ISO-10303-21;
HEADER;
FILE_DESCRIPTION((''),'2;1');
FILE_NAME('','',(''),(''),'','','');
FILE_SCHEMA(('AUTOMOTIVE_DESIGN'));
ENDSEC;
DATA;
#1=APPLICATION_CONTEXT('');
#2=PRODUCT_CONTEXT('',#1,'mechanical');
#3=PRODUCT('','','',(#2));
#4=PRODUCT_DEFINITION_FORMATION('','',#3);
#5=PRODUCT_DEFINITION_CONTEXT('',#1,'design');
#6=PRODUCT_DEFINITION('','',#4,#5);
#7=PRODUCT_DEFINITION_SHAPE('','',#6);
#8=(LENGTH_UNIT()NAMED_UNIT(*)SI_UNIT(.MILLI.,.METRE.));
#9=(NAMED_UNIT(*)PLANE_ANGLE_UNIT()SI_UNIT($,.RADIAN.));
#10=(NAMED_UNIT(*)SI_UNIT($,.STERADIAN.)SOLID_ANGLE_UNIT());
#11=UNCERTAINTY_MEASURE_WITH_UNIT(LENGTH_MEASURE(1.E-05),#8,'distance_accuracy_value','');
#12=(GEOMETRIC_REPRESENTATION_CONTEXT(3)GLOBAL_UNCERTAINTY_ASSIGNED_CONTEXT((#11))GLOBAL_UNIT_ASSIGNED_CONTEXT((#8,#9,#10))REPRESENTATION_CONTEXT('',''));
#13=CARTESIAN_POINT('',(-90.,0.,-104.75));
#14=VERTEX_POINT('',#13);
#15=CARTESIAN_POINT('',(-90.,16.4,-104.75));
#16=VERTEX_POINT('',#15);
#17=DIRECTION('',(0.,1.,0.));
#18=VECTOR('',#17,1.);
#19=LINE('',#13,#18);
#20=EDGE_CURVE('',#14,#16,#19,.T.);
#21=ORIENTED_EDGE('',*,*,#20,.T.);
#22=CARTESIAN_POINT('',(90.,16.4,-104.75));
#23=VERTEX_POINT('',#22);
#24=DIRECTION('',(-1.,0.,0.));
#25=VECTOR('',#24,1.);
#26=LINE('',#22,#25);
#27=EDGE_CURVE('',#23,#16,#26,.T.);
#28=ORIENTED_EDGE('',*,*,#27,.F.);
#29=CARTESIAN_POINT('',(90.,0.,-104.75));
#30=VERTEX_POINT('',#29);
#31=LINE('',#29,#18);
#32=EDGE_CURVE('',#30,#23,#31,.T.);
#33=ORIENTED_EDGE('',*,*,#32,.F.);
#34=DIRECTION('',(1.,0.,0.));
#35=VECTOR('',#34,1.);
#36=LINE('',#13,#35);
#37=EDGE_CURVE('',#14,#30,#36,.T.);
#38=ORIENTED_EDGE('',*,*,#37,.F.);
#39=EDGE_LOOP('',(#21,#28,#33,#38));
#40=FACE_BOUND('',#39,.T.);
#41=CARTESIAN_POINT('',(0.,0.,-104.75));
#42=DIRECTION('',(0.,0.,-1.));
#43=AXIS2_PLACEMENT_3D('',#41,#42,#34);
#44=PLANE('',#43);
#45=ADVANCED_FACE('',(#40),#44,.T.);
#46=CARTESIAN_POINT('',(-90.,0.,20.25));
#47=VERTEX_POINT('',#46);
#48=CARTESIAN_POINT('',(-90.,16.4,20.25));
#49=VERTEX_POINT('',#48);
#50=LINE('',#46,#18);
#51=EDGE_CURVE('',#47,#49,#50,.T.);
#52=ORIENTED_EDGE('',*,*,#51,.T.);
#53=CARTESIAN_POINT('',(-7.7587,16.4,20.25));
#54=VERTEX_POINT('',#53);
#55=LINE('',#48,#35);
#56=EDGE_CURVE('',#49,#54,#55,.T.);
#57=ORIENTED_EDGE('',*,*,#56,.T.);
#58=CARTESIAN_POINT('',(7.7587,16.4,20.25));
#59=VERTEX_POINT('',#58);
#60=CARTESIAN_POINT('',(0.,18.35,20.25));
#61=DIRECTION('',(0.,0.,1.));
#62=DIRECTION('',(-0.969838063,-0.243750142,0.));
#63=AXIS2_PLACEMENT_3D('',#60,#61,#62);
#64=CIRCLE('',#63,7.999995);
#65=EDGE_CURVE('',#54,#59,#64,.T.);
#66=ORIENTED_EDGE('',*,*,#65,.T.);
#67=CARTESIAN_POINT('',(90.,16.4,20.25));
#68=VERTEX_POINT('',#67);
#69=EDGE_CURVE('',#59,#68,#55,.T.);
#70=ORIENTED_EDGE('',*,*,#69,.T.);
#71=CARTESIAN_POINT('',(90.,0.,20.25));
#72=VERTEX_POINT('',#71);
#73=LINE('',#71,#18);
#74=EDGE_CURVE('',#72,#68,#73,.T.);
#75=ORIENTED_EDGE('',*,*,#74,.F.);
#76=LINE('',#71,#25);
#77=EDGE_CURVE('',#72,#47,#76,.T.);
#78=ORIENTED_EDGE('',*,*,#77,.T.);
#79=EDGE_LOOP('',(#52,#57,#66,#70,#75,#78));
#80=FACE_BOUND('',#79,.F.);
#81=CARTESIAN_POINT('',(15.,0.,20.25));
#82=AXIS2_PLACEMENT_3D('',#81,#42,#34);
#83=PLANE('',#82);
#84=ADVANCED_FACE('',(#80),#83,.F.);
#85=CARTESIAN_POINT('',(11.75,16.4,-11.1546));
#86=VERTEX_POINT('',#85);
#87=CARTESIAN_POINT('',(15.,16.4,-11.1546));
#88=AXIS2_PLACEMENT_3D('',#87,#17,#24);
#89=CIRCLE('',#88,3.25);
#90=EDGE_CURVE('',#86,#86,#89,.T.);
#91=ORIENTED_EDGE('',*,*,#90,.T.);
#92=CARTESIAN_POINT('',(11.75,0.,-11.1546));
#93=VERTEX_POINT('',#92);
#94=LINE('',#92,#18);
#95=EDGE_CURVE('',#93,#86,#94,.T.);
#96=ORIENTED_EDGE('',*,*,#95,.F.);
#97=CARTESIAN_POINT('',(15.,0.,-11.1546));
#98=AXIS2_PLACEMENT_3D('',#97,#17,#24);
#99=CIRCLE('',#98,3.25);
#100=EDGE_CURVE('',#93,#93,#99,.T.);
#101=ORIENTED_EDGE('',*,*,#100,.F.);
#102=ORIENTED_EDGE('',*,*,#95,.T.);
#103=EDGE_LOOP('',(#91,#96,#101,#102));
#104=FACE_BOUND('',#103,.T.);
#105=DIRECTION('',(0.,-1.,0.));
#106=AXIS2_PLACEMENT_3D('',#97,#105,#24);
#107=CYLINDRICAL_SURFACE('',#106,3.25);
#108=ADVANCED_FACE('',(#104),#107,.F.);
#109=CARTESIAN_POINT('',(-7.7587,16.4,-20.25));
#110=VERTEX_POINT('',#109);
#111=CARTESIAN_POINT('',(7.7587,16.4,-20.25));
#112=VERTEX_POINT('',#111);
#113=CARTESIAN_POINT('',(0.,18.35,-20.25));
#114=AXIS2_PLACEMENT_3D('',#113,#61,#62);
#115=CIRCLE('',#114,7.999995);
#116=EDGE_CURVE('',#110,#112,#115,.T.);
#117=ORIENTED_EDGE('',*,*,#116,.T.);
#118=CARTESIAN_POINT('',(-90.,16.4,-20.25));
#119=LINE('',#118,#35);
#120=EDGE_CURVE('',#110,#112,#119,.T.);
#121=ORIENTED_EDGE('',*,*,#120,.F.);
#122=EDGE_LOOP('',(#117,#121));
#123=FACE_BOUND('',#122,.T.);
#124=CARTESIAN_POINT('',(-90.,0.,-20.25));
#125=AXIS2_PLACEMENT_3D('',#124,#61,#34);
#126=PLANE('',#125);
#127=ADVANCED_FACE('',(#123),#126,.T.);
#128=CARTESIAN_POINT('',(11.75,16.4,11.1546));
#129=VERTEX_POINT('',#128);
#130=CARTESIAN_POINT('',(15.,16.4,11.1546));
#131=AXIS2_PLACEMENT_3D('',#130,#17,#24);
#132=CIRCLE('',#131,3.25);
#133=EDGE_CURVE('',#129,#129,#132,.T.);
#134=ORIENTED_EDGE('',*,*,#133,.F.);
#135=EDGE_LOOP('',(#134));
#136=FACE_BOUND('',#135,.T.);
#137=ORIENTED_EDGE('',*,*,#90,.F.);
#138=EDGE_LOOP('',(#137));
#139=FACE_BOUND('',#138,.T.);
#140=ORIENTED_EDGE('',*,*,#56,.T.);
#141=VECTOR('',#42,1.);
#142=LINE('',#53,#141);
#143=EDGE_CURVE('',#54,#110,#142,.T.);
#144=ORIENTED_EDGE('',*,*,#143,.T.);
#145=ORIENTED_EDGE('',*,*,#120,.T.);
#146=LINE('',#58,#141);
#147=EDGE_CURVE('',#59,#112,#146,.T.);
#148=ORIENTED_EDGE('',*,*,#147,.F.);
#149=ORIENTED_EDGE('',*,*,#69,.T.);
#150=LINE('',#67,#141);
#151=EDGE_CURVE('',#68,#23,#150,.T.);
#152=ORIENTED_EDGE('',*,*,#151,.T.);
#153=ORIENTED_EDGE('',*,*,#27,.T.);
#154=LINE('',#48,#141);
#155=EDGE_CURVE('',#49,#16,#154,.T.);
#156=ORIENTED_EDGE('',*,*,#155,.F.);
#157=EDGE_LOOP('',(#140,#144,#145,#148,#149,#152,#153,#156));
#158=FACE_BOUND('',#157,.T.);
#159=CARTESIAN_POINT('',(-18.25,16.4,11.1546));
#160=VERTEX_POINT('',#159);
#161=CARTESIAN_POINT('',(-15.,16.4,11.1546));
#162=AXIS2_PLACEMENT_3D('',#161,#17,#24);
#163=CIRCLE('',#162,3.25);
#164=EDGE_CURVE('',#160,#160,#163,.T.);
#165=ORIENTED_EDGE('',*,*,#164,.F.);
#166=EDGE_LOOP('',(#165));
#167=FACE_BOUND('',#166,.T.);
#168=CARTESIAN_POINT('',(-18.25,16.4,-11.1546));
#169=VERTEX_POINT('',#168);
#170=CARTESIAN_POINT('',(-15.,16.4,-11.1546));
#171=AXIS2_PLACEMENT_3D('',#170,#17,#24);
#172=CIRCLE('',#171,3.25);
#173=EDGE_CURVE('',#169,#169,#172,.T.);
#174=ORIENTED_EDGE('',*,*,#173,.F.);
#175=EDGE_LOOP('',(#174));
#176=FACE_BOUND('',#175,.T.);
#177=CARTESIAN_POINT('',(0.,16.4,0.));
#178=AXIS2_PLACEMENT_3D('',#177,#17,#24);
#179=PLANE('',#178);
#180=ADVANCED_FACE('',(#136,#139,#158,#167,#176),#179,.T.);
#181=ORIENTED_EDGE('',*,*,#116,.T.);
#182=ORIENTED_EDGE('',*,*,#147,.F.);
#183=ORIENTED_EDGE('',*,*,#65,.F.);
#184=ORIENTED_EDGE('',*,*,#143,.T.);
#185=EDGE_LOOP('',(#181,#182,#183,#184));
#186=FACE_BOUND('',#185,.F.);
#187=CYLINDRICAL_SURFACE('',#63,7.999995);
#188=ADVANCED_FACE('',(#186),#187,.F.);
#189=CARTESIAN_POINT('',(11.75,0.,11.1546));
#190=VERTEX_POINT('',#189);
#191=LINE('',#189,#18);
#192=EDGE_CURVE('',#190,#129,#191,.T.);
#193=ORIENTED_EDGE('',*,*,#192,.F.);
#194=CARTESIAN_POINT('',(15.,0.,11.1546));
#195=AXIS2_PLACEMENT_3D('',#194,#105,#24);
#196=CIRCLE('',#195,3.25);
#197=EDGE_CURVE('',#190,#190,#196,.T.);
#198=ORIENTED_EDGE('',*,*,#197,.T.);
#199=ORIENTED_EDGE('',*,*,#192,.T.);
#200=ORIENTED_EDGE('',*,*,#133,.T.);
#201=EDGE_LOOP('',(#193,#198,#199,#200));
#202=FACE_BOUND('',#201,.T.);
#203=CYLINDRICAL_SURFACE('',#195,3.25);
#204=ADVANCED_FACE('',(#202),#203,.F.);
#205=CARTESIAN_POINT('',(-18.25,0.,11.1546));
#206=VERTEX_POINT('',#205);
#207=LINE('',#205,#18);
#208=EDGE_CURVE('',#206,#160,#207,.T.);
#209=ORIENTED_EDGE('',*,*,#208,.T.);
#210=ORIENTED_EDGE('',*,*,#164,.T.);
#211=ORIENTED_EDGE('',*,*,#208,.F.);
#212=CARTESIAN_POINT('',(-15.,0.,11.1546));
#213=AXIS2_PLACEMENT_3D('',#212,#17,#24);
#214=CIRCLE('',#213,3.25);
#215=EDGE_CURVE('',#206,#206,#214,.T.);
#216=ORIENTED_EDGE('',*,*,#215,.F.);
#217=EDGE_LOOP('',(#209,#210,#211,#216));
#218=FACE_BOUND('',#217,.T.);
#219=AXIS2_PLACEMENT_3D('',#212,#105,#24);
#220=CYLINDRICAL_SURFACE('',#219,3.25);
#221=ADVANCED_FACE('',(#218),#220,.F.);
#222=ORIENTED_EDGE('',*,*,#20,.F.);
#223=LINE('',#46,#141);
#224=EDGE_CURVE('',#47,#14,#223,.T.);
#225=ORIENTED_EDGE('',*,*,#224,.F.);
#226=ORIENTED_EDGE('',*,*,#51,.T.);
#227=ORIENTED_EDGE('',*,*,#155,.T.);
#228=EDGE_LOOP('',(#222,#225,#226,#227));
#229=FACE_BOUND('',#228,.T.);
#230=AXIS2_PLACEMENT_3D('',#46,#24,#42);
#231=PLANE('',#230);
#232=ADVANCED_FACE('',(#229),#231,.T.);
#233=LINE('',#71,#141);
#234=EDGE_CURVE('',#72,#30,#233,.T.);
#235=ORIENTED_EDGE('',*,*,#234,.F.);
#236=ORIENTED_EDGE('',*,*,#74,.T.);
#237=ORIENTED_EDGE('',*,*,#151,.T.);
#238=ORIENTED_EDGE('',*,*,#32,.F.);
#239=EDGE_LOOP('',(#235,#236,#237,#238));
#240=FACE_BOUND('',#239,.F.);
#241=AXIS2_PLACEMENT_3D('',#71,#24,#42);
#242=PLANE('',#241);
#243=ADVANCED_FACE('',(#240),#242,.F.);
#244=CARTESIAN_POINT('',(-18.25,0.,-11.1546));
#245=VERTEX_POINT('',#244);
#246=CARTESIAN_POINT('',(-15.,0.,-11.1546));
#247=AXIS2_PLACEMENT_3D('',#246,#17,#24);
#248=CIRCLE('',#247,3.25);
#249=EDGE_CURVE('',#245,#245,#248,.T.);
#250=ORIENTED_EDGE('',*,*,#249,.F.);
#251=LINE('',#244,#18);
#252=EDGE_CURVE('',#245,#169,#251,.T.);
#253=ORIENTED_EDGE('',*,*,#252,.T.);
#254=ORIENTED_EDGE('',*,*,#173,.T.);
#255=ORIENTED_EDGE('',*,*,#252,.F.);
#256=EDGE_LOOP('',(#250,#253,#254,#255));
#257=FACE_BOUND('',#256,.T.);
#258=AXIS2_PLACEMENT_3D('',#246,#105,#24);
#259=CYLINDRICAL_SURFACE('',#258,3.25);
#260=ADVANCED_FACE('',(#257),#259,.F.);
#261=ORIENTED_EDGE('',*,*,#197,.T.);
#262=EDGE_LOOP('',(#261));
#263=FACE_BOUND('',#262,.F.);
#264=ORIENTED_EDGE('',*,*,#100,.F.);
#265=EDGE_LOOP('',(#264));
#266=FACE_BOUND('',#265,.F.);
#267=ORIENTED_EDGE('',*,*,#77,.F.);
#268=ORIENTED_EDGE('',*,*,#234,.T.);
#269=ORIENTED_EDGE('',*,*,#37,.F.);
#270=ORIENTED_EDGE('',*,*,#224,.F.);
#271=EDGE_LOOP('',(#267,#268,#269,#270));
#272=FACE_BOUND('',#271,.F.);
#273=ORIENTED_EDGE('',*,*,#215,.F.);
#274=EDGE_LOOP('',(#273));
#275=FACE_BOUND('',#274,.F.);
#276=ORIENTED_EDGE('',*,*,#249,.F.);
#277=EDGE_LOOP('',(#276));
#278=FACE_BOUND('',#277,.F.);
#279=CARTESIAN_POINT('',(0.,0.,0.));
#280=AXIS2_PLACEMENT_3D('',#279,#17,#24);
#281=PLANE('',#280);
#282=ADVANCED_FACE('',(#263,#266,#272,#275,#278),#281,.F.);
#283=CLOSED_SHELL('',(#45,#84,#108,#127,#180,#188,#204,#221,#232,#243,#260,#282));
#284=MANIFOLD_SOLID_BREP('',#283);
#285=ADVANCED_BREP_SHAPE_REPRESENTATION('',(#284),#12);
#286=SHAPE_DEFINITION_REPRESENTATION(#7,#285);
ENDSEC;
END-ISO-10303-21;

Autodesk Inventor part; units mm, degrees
sketch "Эскиз1" plane through (0, 0, 0) normal (0, 1, 0) x (-1, 0, 0)
  line L0 (23.75, 20.25) -> (-23.75, 20.25)
  line L1 (-23.75, 20.25) -> (-23.75, -20.25)
  line L2 (-23.75, -20.25) -> (23.75, -20.25)
  line L3 (23.75, -20.25) -> (23.75, 20.25)
  line L4 (23.75, 20.25) -> (-23.75, -20.25) construction
  circle A0 centre (-15, 11.1546) radius 3.25
  line L5 (-15, 11.1546) -> (-23.75, 11.1546)
  line L6 (-15, 11.1546) -> (-15, 20.25)
  line L7 (-23.75, 20.25) -> (-90, 20.25)
  line L8 (-90, 20.25) -> (-90, -104.75)
  line L9 (0, -7.5) -> (0, 7.5) construction
  line L10 (-126, 0) -> (126, 0) construction
  line L11 (7.5, 0) -> (-7.5, 0) construction
  line L12 (0, -129.75) -> (0, 45.25) projected
  circle A1 centre (15, 11.1546) radius 3.25
  circle A2 centre (-15, -11.1546) radius 3.25
  circle A3 centre (15, -11.1546) radius 3.25
  line L13 (23.75, 20.25) -> (90, 20.25)
  line L14 (90, 20.25) -> (90, -104.75)
  line L15 (90, -104.75) -> (-90, -104.75)
  point P0 (0, 0)
  point P1 (0, 0)
  point P2 (0, 0)
  dimension "d0" = 47.5
  dimension "d1" = 40.5
  dimension "d10" = 8.75
  dimension "d11" = 9.0954
  dimension "d21" = 66.25
  dimension "d22" = 125
  dimension "d23" = 15
  dimension "d24" = 15
extrude "Выдавливание1" add sketch "Эскиз1" along normal blind 16.4 contours L6 A0 L5 L1 L0 | L0 L12 L2 L1 L5 A0 L6 | L1 L2 L12 L15 L8 L7 | L0 L3 L2 L12 | L13 L14 L15 L12 L2 L3
sketch "Эскиз4" plane through (-90, 0, 20.25) normal (0, 0, 1) x (1, 0, 0)
  arc A0 (82.2413, 16.4) -> (97.7587, 16.4) centre (90, 18.35) ccw
  line L0 (0, 16.4) -> (180, 16.4) projected
  line L1 (0, 0) -> (180, 0) projected
  line L2 (66.25, 16.4) -> (113.75, 16.4)
  line L3 (113.75, 16.4) -> (113.75, 0)
  line L4 (113.75, 0) -> (66.25, 0)
  line L5 (66.25, 0) -> (66.25, 16.4)
  line L6 (66.25, 16.4) -> (113.75, 0)
  line L7 (113.75, 16.4) -> (66.25, 0)
  line L8 (90, 22.02) -> (90, -3.67) construction
  point P0 (90, 0)
  point P1 (90, 8.2)
  point P2 (90, 8.2)
  point P3 (97.7587, 16.4)
  dimension "d30" = 16
  dimension "d32" = 47.5
  dimension "d33" = 10.15
extrude "Выдавливание5" cut sketch "Эскиз4" against normal blind 40.5 contours L0 A0
properties part number "Нижняя часть крепления мотора"
